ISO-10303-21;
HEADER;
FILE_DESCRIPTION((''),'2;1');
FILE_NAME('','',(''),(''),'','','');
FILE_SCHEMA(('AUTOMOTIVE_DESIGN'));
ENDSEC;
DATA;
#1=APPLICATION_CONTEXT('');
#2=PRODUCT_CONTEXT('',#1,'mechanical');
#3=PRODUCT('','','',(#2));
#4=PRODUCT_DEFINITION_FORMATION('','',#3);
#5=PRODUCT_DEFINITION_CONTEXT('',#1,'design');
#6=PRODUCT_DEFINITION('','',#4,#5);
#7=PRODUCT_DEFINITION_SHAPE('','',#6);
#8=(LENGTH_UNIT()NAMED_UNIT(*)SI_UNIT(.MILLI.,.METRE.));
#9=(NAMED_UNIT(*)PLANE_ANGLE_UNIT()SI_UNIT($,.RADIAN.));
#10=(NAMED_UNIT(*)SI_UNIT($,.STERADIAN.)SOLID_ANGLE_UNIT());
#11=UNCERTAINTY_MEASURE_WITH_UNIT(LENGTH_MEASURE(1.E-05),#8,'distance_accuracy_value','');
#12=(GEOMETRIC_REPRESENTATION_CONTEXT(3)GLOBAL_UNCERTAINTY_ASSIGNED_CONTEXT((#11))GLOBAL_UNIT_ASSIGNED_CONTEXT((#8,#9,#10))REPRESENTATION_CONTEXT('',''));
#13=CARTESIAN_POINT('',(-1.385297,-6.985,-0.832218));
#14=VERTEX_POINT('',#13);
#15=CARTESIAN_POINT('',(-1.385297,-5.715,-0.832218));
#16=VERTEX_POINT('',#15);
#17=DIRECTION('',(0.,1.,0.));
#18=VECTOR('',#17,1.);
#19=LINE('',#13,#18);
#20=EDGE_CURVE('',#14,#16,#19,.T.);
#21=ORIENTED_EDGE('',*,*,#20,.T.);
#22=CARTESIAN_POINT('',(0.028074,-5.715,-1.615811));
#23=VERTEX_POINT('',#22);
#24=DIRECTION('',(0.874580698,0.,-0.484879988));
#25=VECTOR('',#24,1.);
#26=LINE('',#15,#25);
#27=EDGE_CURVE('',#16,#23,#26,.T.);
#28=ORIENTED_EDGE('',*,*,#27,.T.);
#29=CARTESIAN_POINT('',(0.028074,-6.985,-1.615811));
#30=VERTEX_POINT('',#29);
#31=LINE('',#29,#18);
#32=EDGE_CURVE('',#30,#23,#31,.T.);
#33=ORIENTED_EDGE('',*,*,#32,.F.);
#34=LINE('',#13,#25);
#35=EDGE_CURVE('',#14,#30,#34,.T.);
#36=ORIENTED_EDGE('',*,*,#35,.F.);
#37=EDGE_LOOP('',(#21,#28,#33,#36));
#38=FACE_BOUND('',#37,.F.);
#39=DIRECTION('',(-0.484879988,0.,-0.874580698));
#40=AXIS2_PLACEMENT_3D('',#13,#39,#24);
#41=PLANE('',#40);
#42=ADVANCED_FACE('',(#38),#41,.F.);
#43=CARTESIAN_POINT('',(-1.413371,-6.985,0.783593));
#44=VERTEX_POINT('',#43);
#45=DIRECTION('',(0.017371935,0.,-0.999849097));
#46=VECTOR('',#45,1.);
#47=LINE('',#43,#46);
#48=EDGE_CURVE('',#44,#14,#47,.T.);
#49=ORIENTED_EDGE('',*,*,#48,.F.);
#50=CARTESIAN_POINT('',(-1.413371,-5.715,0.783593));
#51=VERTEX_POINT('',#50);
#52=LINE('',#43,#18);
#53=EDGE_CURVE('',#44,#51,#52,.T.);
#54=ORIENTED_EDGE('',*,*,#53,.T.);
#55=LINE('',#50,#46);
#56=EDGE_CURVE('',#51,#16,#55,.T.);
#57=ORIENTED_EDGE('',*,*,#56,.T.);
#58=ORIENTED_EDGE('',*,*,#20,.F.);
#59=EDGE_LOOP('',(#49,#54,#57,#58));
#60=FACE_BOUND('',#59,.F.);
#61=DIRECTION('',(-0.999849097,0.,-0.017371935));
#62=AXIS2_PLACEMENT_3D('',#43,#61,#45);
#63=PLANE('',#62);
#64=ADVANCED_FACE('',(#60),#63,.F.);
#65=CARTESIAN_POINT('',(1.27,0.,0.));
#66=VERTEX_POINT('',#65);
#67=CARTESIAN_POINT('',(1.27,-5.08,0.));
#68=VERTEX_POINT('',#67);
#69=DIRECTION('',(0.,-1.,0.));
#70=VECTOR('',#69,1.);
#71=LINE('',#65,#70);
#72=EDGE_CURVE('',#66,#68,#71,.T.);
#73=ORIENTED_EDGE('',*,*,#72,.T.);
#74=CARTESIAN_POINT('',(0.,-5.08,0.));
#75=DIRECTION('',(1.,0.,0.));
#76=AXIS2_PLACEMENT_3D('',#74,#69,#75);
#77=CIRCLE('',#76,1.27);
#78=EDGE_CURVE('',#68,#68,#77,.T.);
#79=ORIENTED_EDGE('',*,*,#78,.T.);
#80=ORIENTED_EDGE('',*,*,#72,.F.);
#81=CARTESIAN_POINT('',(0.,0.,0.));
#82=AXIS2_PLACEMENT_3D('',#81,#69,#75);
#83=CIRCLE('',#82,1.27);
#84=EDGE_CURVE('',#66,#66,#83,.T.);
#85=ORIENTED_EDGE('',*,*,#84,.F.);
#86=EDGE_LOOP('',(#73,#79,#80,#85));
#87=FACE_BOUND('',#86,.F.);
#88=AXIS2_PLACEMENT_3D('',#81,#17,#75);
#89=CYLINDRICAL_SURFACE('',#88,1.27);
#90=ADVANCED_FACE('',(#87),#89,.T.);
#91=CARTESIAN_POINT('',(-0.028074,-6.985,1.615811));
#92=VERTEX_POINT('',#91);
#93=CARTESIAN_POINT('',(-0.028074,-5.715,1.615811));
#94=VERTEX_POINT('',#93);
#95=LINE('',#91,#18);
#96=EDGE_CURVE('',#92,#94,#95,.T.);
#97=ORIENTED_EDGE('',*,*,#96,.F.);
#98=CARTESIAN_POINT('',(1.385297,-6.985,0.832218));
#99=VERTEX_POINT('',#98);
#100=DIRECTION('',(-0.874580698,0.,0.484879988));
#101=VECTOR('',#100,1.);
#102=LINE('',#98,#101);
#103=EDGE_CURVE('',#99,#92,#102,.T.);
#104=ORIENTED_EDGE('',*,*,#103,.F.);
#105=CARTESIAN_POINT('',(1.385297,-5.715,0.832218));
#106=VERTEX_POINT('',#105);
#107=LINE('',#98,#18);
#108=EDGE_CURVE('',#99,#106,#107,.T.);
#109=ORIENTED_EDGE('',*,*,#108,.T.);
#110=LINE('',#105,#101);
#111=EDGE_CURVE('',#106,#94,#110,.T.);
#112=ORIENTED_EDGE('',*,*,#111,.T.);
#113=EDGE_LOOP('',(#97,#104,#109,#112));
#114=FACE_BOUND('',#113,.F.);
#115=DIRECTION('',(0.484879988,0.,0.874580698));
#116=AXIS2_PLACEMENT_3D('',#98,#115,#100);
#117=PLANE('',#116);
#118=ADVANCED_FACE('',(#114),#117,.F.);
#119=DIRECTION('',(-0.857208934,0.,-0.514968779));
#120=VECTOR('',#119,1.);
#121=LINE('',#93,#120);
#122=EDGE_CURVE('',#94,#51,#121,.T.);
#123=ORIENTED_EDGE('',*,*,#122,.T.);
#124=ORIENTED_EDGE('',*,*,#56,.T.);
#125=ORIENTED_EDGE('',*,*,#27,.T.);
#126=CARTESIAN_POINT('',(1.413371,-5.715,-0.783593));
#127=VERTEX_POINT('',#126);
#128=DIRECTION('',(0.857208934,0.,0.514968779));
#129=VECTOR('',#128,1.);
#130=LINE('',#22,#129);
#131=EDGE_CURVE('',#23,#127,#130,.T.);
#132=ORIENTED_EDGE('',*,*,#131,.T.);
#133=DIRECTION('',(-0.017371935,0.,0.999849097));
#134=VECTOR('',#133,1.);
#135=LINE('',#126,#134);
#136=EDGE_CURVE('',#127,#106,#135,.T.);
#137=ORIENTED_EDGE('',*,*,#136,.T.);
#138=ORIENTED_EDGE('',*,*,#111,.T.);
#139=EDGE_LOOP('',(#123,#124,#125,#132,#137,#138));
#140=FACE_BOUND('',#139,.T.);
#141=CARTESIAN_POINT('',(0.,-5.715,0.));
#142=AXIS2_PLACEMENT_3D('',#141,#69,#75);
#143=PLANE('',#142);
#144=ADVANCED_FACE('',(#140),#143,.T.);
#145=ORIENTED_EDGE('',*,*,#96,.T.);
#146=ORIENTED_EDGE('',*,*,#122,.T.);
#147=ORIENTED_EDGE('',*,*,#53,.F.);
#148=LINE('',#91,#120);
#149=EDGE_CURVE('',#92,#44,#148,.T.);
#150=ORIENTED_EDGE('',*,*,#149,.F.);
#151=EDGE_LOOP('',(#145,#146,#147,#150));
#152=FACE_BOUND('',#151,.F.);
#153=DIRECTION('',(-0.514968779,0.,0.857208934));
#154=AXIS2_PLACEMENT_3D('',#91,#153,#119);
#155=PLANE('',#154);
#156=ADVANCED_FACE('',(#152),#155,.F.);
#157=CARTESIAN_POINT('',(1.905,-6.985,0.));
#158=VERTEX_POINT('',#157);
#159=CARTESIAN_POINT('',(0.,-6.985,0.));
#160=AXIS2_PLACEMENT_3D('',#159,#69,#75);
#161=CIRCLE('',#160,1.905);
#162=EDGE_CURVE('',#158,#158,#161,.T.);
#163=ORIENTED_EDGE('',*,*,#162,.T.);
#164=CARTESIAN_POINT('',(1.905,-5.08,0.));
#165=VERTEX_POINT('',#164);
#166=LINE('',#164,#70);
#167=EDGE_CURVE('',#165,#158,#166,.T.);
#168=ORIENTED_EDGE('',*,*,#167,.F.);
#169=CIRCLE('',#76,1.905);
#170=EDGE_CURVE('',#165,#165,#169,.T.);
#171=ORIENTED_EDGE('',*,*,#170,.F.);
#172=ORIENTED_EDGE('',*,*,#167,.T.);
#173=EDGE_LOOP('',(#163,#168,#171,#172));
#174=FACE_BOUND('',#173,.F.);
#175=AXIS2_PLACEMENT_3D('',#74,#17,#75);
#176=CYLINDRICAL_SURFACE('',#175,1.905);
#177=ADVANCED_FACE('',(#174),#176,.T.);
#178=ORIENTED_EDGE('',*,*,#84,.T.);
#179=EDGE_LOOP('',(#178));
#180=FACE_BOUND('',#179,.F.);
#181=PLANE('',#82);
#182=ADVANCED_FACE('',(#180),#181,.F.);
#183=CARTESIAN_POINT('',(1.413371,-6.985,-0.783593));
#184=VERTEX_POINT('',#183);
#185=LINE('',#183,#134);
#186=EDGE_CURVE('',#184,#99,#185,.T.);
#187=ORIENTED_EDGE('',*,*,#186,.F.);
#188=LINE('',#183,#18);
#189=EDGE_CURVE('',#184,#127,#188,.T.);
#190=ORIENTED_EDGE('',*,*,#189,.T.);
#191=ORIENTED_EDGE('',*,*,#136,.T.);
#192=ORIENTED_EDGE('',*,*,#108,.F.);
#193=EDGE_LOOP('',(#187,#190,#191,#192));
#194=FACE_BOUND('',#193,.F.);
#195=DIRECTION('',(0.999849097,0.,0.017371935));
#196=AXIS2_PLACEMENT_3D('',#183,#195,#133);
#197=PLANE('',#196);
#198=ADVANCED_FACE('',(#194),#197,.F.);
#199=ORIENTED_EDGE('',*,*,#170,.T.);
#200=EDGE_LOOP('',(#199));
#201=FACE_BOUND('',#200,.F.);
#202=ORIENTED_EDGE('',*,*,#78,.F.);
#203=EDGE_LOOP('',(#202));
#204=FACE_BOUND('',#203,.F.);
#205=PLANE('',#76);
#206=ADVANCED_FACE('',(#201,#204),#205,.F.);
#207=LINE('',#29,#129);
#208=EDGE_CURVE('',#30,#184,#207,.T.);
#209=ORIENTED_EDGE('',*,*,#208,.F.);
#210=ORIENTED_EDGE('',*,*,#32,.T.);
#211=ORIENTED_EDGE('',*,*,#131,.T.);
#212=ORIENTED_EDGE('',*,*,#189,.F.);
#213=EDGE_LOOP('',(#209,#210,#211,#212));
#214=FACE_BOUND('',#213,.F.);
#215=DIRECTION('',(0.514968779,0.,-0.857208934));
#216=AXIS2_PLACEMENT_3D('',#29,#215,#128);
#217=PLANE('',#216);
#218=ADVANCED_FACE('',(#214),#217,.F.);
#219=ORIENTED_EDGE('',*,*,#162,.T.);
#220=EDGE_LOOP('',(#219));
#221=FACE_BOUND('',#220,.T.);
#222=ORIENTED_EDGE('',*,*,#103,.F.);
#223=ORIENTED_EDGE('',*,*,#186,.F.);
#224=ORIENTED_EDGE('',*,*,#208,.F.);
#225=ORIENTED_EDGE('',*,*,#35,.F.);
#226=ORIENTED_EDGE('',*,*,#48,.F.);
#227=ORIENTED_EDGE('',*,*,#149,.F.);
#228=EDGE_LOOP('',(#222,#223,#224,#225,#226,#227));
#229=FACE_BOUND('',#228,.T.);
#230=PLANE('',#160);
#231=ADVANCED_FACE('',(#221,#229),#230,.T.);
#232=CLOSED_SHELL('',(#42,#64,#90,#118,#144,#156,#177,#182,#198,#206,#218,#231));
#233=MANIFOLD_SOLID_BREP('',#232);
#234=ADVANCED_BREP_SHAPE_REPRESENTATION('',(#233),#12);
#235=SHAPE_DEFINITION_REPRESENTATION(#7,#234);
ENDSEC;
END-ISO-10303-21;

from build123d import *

# Parameters (mm, degrees)
F0_R     = 1.27
F1_DEPTH = 5.08
F2_R     = 1.905
F2_R_2   = 1.27
F3_DEPTH = 1.905
F5_DEPTH = 1.27


with BuildPart() as f1:
    # F0 (on Front) → F1 (new body)
    with BuildSketch(Plane.XZ):
        Circle(F0_R)
    extrude(amount=F1_DEPTH)

    # F2 (on face) → F3 (join)
    with BuildSketch(Plane.XZ.offset(5.08)):
        Circle(F2_R)
        Circle(F2_R_2, mode=Mode.SUBTRACT)
        Circle(F2_R_2)
    extrude(amount=F3_DEPTH)

    # F4 (on face) → F5 (cut)
    with BuildSketch(Plane.XZ.offset(6.985)):
        Polygon((1.385297, 0.832218), (-0.028074, 1.615811), (-1.413371, 0.783593), (-1.385297, -0.832218), (0.028074, -1.615811), (1.413371, -0.783593), align=None)
    extrude(amount=-F5_DEPTH, mode=Mode.SUBTRACT)


solid = f1.part
